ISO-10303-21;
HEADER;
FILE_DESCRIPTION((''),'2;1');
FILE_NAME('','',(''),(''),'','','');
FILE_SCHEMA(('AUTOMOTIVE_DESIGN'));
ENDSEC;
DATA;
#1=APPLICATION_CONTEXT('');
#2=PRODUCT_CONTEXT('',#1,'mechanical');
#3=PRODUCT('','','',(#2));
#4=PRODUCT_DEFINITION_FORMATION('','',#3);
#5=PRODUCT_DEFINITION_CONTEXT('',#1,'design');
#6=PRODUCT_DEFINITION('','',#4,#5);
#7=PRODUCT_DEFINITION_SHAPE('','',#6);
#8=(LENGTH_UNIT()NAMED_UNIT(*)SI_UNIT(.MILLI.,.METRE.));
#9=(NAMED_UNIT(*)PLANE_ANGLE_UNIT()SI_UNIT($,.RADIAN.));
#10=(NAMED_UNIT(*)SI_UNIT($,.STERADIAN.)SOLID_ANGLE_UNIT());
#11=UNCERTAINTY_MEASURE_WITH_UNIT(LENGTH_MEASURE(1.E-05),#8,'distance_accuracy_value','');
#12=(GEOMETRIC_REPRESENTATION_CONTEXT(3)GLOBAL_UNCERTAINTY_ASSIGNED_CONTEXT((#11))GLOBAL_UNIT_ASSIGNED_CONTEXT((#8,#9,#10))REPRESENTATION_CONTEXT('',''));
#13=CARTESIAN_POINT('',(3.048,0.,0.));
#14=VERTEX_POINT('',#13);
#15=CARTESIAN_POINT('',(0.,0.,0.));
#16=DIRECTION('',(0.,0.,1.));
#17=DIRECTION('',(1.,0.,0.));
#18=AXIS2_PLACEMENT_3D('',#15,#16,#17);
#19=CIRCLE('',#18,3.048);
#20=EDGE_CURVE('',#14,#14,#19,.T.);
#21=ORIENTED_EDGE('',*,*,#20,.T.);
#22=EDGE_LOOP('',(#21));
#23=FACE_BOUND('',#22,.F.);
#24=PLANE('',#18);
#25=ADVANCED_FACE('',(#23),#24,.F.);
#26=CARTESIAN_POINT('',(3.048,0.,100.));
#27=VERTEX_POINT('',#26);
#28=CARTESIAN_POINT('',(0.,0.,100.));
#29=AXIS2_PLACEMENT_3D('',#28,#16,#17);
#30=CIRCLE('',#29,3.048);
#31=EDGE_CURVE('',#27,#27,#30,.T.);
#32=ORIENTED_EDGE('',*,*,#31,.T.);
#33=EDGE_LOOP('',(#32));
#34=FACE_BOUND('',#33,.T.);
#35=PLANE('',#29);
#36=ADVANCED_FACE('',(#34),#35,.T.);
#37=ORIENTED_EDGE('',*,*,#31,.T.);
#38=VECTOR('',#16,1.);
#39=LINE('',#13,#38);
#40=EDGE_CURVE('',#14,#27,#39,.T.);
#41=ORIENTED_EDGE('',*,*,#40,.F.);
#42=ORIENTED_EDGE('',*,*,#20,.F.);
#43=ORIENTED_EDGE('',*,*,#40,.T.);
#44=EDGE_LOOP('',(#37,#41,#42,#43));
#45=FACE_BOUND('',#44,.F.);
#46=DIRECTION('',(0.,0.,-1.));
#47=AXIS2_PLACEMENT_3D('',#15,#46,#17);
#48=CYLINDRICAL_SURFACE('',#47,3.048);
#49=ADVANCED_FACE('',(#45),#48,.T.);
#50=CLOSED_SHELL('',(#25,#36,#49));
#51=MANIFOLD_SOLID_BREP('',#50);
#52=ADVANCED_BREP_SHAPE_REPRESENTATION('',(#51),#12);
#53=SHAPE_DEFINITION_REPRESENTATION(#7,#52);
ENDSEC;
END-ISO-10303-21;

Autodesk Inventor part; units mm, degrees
ref_plane "YZ Plane" through (0, 0, 0) normal (1, 0, 0) x (0, 1, 0)
ref_plane "XZ Plane" through (0, 0, 0) normal (0, 1, 0) x (-1, 0, 0)
ref_plane "XY Plane" through (0, 0, 0) normal (0, 0, 1) x (1, 0, 0)
sketch "Boceto1" plane through (0, 0, 0) normal (0, 0, 1) x (1, 0, 0)
  circle A0 centre (0, 0) radius 3.048
  dimension "d0" = 6.096
extrude "Extrusión1" add sketch "Boceto1" along normal blind 100
thread "Rosca1" size "M7x1" class "6g" standard "ANSI Metric M Profile" full length
properties part number "VarillaLateral"
